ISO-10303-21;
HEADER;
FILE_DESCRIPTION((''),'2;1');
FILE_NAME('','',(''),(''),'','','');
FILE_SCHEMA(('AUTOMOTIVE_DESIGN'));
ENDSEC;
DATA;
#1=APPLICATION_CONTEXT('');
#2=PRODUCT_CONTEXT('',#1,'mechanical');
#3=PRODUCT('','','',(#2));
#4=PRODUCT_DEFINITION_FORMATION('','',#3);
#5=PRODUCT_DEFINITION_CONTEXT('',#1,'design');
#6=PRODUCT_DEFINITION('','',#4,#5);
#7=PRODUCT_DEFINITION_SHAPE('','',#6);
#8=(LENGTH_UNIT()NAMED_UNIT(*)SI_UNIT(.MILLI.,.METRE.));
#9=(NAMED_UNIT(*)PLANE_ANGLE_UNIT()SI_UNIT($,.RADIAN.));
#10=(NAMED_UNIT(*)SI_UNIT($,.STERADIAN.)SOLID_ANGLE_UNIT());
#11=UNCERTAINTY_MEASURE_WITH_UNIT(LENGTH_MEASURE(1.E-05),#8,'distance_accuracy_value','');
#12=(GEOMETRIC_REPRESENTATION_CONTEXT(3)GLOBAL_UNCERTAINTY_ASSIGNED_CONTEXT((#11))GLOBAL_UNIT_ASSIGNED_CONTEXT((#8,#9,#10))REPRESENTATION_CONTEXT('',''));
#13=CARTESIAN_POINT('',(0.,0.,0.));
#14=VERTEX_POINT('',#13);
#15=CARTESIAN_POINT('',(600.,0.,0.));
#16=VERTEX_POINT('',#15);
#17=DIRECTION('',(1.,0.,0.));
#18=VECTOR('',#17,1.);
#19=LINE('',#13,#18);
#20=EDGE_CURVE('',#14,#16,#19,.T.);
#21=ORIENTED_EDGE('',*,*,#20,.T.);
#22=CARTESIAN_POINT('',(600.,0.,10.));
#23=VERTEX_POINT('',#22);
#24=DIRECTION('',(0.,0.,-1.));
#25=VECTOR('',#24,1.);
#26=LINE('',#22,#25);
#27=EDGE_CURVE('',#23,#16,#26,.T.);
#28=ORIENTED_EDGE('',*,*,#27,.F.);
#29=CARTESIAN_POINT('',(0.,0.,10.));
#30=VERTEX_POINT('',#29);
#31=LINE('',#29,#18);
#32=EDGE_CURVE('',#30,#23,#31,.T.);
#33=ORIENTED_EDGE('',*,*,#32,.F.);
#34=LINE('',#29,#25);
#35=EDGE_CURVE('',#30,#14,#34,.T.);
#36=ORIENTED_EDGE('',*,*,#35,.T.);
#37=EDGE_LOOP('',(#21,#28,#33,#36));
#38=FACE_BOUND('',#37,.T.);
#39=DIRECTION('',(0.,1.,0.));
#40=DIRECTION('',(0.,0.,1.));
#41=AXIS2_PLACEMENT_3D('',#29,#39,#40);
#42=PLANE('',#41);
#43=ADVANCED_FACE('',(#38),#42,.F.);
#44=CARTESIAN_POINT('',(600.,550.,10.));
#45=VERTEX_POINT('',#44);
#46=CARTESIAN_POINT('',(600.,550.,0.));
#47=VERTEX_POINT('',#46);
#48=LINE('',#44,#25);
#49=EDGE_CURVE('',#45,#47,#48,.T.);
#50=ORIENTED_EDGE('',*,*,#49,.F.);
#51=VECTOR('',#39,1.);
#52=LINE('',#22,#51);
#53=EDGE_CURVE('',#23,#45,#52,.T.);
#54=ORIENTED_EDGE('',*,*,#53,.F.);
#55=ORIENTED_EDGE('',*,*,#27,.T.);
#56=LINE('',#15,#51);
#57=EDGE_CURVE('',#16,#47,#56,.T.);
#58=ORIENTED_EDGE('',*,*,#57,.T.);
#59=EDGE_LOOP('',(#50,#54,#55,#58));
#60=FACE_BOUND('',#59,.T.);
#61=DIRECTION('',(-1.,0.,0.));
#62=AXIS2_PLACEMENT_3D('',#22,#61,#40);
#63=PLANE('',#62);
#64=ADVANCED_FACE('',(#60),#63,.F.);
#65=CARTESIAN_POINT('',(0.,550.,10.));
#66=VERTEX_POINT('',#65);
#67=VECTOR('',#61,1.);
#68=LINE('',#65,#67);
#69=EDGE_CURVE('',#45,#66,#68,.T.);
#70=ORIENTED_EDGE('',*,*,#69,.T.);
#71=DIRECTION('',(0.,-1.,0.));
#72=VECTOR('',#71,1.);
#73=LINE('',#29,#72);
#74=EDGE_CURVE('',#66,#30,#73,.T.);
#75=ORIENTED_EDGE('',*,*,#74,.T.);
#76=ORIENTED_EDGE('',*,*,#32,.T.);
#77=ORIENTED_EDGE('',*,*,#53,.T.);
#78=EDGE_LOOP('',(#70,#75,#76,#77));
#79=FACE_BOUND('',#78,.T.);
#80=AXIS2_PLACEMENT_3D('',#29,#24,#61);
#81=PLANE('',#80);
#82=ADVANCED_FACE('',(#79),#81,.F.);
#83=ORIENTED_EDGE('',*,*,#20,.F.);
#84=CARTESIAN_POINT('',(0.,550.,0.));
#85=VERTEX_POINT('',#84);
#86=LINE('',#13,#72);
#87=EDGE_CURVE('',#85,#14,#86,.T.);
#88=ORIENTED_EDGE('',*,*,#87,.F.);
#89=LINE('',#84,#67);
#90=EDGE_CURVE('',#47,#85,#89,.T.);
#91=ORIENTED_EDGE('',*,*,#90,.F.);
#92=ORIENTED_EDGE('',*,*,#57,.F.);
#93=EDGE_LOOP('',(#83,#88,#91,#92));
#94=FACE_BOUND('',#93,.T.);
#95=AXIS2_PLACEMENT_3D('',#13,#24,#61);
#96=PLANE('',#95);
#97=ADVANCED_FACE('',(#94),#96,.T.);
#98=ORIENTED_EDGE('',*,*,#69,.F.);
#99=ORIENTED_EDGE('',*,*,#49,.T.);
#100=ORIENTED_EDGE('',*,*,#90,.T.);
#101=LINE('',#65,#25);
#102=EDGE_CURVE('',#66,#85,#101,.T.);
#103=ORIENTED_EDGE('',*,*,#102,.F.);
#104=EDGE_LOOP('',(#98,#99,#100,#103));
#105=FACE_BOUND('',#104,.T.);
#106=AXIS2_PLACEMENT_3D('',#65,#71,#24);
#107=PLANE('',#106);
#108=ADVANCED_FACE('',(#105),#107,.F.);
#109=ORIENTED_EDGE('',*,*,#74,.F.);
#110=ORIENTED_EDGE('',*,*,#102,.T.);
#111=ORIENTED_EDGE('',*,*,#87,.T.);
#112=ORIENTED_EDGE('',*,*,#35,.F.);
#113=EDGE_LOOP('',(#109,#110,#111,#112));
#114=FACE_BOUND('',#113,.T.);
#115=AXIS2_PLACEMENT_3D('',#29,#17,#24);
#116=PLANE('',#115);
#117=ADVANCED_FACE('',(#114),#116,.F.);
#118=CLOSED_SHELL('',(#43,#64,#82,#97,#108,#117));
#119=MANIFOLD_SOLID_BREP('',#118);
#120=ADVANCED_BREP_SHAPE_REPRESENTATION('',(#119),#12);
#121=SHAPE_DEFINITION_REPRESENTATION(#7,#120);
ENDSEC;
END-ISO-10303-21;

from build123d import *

# Parameters (mm, degrees)
ESQUISSE1_W        = 600
ESQUISSE1_H        = 550
BOSS_EXTRU_1_DEPTH = 10


with BuildPart() as part:
    # Esquisse1 → Boss.-Extru.1 (new body)
    with BuildSketch(Plane.XY):
        with Locations((300, 275)):
            Rectangle(ESQUISSE1_W, ESQUISSE1_H)
    extrude(amount=BOSS_EXTRU_1_DEPTH)


solid = part.part
